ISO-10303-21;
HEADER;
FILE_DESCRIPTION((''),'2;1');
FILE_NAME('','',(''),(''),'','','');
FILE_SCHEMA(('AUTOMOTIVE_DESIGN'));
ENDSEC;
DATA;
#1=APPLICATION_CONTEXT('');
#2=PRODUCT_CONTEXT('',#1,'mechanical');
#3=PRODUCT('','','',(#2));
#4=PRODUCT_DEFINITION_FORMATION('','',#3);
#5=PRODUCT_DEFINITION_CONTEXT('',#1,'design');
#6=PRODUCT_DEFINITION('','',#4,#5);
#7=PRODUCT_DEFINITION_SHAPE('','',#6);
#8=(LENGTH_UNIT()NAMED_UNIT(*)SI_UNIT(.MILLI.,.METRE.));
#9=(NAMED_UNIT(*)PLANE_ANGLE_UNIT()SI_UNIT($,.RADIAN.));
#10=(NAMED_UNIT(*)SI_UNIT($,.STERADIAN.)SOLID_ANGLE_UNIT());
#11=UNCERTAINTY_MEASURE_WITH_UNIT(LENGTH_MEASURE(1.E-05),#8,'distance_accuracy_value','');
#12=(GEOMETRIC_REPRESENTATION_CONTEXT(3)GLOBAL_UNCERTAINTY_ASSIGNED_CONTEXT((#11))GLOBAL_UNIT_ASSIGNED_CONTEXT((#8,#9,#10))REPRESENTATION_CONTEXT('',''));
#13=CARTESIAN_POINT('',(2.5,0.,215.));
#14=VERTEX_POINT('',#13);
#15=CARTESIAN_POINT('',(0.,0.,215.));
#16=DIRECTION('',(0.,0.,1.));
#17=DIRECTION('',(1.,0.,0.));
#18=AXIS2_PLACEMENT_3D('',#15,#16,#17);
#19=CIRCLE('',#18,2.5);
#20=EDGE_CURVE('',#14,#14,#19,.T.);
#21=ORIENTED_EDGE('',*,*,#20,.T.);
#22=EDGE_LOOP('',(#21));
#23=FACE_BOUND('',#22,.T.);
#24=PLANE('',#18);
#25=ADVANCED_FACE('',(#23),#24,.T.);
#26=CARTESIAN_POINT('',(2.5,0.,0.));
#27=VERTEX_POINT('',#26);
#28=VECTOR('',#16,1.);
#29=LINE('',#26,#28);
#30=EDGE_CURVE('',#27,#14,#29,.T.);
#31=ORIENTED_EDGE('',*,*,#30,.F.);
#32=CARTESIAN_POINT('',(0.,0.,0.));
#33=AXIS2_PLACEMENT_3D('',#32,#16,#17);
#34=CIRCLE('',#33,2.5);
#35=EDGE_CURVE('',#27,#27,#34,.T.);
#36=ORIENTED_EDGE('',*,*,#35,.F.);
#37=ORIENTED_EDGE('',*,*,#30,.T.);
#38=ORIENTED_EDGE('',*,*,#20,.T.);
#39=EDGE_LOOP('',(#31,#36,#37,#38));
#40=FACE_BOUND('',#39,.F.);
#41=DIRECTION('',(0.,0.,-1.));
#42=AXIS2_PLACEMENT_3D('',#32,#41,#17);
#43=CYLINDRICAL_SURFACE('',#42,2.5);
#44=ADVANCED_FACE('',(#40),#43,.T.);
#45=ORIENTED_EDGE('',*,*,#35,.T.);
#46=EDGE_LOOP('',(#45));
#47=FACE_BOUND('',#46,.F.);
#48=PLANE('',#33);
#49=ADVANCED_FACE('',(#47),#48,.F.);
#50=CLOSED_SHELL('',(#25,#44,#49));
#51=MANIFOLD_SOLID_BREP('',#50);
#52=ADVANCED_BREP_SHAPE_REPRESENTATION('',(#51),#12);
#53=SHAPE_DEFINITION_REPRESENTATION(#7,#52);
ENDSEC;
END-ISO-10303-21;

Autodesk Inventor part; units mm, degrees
ref_plane "YZ Plane" through (0, 0, 0) normal (1, 0, 0) x (0, 1, 0)
ref_plane "XZ Plane" through (0, 0, 0) normal (0, 1, 0) x (-1, 0, 0)
ref_plane "XY Plane" through (0, 0, 0) normal (0, 0, 1) x (1, 0, 0)
sketch "Skizze1" plane through (0, 0, 0) normal (0, 0, 1) x (1, 0, 0)
  circle A0 centre (0, 0) radius 2.5
  dimension "d0" = 5
extrude "Extrusion1" add sketch "Skizze1" along normal blind 215
thread "Gewinde1" size "M5x0.8" class "6g" standard "ISO Metric profile" length 4.2
thread "Gewinde2" size "M5x0.8" class "6g" standard "ISO Metric profile" length 4.2
properties part number "Welle"
